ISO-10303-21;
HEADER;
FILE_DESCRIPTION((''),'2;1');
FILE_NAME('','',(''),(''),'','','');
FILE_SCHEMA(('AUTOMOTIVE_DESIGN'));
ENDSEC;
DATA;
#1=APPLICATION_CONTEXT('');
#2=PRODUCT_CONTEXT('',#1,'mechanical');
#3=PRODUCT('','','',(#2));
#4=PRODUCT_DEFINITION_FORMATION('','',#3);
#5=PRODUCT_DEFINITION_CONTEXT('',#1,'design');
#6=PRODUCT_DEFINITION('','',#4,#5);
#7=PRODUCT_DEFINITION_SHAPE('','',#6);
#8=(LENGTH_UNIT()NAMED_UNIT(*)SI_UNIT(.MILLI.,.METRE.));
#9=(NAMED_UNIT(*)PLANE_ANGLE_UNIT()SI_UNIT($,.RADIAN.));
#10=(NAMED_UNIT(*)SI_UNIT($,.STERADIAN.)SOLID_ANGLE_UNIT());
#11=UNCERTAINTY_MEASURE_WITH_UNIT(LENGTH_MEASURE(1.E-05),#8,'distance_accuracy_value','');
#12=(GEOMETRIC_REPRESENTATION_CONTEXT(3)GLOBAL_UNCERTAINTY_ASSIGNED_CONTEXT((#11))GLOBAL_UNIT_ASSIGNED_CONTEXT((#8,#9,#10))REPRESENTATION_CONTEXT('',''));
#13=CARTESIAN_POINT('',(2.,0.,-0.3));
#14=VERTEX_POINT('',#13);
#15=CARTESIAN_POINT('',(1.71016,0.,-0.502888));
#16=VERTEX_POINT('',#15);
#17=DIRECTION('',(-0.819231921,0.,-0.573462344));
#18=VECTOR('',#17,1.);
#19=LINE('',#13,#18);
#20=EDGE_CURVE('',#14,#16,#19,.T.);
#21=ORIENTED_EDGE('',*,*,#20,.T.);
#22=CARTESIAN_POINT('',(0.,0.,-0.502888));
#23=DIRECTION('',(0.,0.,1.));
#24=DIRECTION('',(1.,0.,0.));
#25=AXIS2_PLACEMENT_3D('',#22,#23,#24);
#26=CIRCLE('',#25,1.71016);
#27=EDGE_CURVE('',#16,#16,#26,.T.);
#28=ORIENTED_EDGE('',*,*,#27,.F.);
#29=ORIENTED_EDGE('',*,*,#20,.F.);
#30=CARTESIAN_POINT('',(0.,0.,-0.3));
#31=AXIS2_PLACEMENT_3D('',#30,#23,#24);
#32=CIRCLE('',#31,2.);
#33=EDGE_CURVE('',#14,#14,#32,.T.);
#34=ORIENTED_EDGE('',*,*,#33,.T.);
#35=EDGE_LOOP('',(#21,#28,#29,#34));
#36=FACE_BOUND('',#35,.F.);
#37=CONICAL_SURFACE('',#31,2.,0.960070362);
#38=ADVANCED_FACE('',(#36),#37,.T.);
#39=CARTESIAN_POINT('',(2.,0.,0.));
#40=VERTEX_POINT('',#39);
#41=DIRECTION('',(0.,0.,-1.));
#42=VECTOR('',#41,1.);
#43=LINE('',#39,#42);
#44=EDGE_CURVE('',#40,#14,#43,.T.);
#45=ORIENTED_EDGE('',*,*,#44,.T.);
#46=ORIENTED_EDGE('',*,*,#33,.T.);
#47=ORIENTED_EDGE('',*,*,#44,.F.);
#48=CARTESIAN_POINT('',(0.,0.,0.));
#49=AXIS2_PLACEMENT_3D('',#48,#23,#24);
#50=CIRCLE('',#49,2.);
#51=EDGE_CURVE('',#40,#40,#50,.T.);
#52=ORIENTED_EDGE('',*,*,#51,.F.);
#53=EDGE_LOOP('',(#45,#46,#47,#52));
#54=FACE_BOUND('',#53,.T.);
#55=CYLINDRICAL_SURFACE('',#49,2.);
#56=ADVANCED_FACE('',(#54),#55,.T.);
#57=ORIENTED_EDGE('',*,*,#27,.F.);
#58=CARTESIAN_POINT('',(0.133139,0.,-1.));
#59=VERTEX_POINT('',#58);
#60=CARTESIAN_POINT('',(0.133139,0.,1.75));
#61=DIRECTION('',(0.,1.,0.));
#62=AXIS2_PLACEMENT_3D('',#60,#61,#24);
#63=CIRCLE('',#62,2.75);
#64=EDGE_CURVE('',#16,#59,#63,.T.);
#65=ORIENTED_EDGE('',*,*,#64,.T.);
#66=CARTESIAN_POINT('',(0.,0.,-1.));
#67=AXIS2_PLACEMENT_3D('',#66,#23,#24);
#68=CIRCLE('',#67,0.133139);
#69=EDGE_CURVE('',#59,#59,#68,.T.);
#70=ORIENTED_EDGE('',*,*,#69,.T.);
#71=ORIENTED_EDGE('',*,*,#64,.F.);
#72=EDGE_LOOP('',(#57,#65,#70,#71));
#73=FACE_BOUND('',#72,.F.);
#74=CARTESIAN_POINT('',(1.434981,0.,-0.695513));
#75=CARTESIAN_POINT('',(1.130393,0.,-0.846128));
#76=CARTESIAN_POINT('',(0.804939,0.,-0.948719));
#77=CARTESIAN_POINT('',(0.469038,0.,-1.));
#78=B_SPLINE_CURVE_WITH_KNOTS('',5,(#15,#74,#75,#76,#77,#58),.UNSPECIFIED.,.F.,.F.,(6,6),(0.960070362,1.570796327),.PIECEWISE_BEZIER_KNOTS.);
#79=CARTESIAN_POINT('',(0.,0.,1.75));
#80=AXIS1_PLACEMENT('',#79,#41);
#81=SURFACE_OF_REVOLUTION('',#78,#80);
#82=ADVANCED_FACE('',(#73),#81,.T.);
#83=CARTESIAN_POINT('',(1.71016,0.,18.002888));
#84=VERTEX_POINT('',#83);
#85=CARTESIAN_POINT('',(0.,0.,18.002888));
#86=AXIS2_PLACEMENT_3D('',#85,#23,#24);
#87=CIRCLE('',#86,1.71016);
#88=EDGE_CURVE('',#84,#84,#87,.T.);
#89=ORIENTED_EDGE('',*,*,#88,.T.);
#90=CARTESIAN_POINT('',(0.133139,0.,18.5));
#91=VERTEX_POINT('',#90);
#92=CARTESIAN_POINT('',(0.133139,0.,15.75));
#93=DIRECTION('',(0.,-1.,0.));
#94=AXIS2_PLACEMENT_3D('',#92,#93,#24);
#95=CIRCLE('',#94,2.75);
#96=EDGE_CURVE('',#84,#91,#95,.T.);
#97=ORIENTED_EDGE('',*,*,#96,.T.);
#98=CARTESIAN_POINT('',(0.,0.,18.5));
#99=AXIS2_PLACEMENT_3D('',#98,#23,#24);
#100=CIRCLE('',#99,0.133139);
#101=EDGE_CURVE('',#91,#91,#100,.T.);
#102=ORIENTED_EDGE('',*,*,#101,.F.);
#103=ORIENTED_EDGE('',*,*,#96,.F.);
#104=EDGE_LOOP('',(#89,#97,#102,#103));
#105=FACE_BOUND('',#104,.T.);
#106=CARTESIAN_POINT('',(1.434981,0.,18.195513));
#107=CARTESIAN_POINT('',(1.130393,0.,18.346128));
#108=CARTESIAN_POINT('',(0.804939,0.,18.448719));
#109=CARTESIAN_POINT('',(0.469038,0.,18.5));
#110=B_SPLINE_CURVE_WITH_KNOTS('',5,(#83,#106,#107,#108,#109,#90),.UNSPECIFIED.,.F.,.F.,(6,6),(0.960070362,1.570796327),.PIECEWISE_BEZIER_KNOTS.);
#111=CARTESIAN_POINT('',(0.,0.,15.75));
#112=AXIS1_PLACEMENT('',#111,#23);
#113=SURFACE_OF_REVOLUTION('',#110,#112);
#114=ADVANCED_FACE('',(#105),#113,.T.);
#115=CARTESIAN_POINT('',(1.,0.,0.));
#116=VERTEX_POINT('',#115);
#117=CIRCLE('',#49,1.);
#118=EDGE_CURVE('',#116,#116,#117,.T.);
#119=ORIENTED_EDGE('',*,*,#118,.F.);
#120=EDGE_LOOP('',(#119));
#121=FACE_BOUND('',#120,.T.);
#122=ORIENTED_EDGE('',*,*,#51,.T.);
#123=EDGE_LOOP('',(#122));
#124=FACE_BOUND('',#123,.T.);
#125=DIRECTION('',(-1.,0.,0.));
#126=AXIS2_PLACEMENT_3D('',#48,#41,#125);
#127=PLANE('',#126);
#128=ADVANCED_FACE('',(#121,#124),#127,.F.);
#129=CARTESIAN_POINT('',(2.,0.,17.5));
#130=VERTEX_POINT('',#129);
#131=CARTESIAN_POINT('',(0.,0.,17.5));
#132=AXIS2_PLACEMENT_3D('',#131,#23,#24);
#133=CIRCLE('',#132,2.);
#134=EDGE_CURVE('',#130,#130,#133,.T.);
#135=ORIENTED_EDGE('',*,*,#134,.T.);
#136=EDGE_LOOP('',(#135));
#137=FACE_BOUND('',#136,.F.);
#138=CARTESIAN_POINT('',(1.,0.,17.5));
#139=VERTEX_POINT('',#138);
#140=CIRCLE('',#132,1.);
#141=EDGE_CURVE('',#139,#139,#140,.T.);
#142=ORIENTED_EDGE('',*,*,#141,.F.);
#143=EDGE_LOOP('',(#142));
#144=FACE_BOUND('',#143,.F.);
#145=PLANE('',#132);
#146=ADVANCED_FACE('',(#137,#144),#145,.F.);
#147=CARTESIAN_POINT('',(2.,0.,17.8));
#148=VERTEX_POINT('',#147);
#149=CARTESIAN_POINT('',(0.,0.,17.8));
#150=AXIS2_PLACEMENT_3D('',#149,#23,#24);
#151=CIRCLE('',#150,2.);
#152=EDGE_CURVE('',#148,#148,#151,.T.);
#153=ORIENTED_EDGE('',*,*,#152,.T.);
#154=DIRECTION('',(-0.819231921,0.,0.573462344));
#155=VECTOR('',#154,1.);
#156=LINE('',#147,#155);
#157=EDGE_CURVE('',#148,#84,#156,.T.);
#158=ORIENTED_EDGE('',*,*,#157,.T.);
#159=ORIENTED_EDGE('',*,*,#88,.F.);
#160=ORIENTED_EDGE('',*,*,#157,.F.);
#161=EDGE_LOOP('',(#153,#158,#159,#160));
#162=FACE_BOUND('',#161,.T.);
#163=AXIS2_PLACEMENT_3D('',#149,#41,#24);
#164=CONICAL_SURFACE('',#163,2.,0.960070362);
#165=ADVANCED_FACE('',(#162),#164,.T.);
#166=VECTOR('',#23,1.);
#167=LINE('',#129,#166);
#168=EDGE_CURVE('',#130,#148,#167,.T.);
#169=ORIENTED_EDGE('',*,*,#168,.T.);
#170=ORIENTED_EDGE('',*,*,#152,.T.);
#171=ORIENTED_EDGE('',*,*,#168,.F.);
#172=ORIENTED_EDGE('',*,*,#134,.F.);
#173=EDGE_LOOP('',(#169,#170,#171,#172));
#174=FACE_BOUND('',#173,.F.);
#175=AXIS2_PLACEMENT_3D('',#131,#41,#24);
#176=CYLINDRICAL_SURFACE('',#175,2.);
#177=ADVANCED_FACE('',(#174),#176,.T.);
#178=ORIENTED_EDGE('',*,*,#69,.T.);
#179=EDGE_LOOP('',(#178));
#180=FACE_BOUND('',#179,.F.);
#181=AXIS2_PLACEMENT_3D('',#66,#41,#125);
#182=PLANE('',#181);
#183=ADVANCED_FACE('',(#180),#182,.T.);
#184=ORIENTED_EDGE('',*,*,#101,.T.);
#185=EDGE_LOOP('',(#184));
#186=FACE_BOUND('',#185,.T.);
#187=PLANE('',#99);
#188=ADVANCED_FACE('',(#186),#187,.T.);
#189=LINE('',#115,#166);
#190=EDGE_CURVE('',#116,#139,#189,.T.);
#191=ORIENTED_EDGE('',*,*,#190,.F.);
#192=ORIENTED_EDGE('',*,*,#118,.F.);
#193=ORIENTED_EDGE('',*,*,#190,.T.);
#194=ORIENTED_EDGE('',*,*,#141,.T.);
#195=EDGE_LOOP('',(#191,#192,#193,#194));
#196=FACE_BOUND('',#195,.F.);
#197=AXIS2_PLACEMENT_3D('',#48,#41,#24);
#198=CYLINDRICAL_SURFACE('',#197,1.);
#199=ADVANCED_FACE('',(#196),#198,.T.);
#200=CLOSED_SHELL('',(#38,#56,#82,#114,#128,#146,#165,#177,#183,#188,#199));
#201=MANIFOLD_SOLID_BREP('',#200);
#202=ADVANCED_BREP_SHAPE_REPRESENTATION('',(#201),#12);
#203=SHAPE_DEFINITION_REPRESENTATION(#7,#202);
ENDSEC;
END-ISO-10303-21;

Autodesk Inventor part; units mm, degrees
ref_plane "YZ Plane" through (0, 0, 0) normal (1, 0, 0) x (0, 1, 0)
ref_plane "XZ Plane" through (0, 0, 0) normal (0, 1, 0) x (-1, 0, 0)
sketch "Sketch1" plane through (0, 0, 0) normal (0, 0, 1) x (1, 0, 0)
  circle A0 centre (0, 0) radius 1
  dimension "d0" = 2
extrude "Extrusion1" add sketch "Sketch1" along normal blind 17.5
sketch "Sketch2" plane through (0, 0, 17.5) normal (0, 0, 1) x (1, 0, 0)
  circle A0 centre (0, 0) radius 1 projected
  circle A1 centre (0, 0) radius 2
  dimension "d3" = 4
extrude "Extrusion2" add sketch "Sketch2" along normal blind 1 contours A0 | A1
chamfer "Chamfer1" distance 0.7 distance2 1 1 edges at (-2, 0, 18.5) measured on face at (1.9935, -0.1609, 18.1667)
fillet "Fillet1" radius 2.75 1 edges at (-1, 0, 18.5)
ref_plane "Work Plane1" through (0, 0, 8.75) normal (0, 0, -1) x (-1, 0, 0)
mirror "Mirror1" about plane through (0, 0, 8.75) normal (0, 0, -1) of "Extrusion2", "Chamfer1", "Fillet1"
properties part number "02"
